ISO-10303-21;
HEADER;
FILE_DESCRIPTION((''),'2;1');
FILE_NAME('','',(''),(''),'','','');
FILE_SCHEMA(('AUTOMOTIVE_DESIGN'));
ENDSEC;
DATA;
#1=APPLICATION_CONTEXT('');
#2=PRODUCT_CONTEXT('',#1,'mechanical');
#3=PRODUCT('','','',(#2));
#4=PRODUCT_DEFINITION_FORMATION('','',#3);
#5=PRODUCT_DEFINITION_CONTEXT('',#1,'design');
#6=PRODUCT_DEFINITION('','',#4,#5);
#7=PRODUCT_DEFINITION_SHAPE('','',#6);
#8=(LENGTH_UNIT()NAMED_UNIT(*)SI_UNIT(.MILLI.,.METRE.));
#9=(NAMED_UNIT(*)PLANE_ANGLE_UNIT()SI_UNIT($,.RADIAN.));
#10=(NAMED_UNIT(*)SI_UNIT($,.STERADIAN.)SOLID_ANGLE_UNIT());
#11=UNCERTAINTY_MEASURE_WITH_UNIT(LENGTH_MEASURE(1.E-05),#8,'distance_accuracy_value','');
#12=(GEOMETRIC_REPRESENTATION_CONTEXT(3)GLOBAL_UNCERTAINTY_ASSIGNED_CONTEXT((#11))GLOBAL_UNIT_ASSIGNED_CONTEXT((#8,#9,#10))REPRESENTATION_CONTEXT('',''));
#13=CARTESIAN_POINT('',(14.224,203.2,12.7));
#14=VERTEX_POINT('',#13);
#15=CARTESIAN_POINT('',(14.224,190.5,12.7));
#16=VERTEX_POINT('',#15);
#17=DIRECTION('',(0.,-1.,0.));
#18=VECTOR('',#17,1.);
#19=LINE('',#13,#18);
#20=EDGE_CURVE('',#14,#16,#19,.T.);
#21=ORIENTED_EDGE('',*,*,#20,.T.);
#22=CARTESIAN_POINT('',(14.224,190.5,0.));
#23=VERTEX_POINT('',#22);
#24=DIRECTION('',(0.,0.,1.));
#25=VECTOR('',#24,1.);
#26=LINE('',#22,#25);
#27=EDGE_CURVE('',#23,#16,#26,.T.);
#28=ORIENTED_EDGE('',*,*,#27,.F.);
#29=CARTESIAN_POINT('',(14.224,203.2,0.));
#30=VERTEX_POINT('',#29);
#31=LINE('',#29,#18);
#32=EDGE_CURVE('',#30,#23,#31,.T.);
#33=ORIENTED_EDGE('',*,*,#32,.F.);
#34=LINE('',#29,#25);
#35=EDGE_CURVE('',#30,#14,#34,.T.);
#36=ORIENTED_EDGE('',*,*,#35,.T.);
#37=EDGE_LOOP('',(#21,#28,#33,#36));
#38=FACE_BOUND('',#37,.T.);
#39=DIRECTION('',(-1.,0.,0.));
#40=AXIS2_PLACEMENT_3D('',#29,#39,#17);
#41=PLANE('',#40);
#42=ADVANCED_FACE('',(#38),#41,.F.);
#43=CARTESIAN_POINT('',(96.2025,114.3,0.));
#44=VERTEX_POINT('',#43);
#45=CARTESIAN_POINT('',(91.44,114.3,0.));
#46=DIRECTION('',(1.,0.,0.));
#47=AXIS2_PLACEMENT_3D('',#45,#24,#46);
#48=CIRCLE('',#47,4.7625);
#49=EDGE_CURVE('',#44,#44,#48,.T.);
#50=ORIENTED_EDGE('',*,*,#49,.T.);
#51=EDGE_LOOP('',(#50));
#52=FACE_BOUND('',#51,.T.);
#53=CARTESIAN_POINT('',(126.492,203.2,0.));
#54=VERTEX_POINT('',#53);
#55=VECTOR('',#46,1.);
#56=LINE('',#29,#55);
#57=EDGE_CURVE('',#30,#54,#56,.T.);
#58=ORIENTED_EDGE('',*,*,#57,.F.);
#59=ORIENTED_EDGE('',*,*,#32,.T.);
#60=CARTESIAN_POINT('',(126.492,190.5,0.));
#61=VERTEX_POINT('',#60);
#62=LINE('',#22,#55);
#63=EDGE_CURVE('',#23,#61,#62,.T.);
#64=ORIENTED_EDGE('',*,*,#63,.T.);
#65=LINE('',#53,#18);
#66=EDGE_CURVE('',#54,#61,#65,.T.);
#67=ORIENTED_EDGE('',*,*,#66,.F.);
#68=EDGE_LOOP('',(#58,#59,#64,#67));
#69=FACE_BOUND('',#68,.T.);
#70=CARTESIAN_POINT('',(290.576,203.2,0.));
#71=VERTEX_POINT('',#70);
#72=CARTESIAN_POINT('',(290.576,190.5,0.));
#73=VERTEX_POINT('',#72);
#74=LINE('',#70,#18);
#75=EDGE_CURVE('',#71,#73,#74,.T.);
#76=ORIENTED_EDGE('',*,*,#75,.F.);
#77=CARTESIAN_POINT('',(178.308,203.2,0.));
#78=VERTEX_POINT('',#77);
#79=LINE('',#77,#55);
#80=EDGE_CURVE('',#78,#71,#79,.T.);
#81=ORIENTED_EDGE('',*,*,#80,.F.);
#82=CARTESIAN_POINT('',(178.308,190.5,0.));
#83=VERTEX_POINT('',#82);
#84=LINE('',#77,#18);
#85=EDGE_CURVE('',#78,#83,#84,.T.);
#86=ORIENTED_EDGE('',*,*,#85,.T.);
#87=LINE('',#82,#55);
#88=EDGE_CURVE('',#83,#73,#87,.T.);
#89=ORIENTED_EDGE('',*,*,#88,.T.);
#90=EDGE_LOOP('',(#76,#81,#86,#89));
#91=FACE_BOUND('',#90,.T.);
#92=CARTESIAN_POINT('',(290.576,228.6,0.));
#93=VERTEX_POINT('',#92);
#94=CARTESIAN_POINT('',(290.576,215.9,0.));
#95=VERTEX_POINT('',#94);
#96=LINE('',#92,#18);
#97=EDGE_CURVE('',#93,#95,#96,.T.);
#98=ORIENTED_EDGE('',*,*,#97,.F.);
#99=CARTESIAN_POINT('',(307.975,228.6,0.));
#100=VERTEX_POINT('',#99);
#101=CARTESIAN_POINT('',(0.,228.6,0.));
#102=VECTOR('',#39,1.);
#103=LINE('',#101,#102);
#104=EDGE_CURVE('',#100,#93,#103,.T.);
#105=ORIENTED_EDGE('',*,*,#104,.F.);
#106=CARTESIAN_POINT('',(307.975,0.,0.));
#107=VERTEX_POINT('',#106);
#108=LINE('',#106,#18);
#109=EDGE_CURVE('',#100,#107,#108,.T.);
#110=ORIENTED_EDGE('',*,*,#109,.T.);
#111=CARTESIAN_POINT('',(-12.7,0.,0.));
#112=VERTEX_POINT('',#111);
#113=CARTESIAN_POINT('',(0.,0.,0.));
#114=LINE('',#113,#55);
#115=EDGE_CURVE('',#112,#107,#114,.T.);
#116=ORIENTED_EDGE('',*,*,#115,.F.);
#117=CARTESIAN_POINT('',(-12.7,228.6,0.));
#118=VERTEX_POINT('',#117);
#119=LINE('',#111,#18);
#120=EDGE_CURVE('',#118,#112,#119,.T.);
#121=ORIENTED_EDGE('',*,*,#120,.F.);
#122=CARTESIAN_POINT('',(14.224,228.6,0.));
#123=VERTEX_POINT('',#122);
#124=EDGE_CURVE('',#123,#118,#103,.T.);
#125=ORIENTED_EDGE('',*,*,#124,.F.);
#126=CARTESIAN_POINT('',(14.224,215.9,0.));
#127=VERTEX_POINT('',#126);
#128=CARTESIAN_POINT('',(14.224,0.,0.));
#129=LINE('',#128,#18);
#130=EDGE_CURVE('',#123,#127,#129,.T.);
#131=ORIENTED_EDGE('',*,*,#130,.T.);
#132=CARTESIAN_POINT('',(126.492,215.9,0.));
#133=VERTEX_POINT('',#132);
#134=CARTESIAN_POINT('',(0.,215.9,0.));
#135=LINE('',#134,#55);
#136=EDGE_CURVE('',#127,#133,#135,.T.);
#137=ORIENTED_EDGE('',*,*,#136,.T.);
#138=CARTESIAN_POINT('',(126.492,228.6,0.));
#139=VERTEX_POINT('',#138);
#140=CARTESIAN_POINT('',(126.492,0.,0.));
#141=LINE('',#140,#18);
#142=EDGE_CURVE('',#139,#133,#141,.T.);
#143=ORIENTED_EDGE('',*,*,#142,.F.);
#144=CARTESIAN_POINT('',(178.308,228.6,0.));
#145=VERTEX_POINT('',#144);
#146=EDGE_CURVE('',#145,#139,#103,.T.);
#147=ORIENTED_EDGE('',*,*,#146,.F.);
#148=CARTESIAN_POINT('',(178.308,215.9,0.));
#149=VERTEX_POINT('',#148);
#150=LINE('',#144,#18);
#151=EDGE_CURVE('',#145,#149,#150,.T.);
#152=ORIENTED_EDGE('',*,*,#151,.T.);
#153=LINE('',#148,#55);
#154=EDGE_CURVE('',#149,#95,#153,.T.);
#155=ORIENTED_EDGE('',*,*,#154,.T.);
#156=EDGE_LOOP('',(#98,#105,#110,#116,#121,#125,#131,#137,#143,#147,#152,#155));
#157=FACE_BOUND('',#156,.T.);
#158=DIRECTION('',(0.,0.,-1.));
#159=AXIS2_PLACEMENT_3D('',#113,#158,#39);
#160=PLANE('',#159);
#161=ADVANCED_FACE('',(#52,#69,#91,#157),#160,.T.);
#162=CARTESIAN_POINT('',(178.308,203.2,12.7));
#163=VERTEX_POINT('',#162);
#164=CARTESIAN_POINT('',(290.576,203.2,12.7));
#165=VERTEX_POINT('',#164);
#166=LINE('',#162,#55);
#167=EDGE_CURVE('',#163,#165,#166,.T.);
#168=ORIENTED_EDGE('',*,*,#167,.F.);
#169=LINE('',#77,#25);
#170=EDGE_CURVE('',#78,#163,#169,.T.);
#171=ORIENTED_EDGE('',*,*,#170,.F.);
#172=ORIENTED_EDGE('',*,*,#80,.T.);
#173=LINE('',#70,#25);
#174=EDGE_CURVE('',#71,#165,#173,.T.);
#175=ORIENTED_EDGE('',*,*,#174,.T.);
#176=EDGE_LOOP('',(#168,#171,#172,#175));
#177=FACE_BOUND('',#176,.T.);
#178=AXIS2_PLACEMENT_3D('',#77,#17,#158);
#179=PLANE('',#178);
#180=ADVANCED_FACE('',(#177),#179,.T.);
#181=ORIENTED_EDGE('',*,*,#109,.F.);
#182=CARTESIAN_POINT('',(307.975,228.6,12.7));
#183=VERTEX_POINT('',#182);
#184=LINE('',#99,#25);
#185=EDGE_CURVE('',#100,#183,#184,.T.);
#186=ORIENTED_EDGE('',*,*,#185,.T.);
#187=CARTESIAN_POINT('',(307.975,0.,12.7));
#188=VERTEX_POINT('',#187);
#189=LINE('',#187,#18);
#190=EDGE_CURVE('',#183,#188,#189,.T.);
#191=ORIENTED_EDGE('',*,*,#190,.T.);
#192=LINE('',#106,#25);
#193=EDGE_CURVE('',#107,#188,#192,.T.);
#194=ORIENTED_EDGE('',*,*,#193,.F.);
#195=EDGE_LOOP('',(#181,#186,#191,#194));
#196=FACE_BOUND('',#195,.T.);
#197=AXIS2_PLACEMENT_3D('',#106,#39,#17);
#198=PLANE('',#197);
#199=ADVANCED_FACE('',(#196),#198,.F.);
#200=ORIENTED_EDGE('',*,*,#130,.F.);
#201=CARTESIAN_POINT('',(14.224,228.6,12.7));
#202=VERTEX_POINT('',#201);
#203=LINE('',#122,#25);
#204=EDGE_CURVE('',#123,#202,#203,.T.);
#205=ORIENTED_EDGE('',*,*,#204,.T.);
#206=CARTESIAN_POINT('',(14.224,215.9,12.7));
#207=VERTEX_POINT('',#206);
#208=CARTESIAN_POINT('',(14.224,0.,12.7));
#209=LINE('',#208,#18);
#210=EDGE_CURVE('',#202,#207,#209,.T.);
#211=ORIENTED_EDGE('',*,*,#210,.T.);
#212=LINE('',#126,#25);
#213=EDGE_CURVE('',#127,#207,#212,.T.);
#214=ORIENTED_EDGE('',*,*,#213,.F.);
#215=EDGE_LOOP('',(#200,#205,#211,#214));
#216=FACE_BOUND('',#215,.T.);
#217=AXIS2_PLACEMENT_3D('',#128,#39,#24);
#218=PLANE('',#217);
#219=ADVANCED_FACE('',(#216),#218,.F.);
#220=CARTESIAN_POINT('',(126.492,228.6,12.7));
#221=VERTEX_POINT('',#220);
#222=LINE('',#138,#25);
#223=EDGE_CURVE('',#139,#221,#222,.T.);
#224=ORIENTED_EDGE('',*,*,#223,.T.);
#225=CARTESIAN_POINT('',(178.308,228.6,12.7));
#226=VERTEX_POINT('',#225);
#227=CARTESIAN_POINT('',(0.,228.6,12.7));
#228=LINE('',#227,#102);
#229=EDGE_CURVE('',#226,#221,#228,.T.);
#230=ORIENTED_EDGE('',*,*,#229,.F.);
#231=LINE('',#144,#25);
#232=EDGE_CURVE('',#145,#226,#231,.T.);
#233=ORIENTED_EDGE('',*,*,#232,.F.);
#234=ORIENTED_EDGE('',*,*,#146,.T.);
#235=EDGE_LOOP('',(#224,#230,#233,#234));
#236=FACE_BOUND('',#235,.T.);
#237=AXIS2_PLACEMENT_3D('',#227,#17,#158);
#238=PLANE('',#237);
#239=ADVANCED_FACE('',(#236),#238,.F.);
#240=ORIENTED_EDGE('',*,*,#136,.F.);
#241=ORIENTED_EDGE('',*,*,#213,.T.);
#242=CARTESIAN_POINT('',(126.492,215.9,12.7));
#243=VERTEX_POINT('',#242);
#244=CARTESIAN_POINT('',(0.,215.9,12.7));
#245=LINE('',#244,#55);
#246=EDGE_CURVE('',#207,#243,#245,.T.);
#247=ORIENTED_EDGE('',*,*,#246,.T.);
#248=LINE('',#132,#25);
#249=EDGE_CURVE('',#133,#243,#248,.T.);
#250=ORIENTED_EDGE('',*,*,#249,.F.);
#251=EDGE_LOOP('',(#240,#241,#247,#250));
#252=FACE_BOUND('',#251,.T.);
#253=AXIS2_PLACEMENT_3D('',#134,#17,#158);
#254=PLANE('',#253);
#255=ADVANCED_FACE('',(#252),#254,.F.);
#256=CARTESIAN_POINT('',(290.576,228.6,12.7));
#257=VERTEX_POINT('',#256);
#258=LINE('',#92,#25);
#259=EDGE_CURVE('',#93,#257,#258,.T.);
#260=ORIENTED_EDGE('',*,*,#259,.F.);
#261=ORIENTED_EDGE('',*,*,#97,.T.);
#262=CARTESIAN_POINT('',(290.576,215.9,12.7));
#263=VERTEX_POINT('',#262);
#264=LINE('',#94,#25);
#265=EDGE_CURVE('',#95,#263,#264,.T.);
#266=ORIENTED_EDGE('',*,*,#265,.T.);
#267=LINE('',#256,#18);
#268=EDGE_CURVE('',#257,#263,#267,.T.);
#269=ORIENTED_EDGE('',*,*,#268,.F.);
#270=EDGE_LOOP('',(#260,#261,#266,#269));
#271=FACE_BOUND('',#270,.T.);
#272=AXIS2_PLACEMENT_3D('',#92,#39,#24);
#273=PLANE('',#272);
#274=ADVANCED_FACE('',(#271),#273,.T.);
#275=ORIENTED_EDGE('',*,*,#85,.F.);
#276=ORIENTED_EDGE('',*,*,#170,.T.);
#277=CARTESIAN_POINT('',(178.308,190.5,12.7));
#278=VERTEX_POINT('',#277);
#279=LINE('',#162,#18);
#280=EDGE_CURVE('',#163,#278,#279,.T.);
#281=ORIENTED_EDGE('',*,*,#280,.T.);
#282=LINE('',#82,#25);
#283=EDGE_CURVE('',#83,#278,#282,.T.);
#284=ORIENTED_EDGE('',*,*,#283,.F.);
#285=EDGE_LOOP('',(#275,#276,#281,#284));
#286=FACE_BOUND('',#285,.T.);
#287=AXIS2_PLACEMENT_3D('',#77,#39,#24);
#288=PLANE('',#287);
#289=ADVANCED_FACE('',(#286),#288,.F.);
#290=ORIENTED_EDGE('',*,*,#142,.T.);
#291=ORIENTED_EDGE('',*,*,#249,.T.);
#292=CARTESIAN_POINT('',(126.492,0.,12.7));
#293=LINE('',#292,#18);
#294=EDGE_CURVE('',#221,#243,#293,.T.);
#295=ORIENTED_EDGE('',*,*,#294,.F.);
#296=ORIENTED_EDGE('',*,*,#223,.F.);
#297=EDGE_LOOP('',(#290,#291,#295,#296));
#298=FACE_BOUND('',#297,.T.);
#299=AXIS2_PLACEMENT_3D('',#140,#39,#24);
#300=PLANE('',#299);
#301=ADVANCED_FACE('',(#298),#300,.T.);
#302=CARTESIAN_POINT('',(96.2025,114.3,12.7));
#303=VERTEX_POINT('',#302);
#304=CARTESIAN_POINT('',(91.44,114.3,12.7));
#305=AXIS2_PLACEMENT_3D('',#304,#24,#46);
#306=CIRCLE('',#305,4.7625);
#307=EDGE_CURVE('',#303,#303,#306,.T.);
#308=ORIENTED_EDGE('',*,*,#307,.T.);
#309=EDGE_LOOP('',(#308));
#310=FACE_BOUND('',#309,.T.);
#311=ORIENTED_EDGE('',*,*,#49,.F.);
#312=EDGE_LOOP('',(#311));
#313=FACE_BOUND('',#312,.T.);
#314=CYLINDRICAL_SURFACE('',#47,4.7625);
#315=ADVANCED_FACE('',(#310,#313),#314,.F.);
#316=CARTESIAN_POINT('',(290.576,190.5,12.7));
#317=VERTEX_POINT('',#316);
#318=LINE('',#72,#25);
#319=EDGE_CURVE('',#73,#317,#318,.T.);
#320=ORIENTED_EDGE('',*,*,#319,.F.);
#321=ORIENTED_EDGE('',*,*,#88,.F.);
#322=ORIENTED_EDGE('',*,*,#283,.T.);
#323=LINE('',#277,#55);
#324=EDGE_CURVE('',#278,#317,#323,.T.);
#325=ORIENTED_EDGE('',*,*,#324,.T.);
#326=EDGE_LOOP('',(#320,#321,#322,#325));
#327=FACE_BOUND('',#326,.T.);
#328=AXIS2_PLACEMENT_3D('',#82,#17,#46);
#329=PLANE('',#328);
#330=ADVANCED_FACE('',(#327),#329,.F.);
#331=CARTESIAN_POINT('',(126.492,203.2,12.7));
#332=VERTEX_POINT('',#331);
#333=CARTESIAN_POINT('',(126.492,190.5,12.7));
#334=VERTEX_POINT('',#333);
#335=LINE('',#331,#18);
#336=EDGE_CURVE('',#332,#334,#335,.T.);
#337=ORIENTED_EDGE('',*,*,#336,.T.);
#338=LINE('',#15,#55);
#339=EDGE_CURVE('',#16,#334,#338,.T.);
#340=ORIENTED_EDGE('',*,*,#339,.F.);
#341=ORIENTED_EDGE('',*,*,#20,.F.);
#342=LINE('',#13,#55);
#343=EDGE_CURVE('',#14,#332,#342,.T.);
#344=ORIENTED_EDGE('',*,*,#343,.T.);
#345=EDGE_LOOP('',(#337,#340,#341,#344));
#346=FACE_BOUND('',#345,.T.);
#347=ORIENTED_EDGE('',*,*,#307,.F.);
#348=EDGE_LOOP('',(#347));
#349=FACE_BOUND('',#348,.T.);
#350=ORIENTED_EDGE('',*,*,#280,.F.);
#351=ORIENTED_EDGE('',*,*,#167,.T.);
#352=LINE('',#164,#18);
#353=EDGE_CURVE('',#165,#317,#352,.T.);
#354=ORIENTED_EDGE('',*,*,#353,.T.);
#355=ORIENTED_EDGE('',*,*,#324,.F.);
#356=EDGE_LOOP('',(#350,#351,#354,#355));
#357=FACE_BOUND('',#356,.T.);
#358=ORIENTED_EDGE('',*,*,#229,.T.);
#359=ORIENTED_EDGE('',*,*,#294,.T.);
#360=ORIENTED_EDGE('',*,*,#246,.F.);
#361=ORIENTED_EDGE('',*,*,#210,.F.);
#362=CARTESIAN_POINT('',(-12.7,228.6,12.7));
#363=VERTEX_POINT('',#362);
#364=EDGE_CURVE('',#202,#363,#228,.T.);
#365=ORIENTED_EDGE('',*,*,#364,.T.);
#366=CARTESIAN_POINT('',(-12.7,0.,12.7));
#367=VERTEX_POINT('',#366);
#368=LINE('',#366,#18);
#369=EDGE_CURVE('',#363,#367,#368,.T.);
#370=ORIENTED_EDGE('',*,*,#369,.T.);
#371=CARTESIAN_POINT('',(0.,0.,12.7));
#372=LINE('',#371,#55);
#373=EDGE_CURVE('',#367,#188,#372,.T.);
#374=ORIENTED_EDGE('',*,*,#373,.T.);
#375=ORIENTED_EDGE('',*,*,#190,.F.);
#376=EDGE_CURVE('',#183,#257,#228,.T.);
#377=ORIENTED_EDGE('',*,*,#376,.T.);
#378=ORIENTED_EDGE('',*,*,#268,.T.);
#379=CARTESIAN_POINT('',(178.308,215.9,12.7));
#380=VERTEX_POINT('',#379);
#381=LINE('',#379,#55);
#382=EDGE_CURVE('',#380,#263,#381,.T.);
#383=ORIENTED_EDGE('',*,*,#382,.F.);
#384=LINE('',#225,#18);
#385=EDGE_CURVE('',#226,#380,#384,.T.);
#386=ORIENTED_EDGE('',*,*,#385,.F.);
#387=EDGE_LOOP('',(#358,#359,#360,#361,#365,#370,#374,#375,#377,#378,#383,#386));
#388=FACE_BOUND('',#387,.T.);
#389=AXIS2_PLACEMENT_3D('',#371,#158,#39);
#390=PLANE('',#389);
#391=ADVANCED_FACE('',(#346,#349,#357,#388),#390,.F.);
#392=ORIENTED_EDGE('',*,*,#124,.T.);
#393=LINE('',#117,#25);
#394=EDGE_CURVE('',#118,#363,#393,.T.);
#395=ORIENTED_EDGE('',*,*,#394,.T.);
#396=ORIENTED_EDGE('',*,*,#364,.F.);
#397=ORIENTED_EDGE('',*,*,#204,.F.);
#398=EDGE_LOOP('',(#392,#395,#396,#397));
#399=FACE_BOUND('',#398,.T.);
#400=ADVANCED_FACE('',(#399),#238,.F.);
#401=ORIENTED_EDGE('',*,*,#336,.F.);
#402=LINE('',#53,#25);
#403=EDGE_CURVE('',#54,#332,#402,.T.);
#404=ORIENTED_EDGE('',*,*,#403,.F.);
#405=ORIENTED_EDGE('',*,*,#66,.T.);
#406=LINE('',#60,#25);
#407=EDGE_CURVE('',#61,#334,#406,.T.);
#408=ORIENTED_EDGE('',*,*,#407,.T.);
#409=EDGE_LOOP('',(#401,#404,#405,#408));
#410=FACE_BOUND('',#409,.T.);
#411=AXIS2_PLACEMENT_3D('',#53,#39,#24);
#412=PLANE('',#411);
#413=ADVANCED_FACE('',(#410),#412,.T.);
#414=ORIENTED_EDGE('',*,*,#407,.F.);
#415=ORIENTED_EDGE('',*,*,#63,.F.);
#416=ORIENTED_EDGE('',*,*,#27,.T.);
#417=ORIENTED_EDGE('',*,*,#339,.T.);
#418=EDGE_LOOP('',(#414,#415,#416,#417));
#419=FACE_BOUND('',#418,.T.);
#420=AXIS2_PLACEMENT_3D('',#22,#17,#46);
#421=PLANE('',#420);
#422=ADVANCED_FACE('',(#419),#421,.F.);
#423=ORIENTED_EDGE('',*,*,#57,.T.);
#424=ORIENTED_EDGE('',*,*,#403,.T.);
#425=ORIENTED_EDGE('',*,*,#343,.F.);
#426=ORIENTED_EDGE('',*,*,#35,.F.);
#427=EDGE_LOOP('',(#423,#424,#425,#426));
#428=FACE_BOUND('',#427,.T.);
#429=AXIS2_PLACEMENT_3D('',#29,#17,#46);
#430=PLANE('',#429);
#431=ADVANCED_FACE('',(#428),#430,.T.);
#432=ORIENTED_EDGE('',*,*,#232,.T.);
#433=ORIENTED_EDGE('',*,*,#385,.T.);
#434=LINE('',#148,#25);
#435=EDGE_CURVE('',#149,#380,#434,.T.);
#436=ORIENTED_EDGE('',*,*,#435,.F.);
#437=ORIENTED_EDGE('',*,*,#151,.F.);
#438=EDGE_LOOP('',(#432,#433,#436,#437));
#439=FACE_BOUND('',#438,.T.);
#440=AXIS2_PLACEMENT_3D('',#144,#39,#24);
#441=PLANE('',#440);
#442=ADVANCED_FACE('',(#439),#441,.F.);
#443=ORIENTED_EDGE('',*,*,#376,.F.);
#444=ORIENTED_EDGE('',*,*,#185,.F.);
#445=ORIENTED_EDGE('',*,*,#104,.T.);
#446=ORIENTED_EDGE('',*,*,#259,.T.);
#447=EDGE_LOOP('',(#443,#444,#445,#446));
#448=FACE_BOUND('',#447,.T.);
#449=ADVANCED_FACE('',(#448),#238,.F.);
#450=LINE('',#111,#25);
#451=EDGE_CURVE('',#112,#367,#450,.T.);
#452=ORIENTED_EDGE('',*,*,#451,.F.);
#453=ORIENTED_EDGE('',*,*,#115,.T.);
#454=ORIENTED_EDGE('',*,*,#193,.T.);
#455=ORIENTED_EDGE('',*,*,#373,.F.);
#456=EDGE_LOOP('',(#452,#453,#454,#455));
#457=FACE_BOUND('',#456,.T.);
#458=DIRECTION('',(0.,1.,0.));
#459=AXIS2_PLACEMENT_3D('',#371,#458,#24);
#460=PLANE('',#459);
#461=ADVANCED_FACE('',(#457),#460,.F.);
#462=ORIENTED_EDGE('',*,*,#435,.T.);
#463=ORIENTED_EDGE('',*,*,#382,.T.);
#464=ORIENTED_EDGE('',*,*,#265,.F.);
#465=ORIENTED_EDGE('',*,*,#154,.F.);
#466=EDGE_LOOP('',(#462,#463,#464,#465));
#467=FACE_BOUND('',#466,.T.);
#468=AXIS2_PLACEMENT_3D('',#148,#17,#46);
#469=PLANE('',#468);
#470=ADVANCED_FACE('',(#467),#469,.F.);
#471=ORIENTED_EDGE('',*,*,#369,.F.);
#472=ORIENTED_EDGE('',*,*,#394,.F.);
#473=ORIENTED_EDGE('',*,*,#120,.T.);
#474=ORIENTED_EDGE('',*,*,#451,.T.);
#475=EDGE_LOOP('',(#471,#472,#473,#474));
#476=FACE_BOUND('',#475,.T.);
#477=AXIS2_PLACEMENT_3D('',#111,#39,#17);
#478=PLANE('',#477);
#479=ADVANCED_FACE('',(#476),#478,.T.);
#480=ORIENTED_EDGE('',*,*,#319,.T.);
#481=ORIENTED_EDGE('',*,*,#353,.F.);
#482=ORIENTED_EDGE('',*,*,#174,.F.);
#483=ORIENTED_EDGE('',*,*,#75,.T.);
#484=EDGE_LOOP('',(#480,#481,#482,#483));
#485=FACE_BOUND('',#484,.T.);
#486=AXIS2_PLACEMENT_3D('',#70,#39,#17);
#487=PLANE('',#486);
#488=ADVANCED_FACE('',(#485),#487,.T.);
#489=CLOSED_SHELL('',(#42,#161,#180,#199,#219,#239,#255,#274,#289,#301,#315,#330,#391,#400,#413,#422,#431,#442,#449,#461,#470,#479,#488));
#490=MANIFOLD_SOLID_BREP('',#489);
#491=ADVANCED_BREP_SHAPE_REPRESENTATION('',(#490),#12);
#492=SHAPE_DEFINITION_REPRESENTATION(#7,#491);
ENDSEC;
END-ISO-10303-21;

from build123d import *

# Parameters (mm, degrees)
SKETCH1_W           = 304.8
SKETCH1_H           = 228.6
BOSS_EXTRUDE1_DEPTH = 12.7
SKETCH2_R           = 4.7625
CUT_EXTRUDE1_DEPTH  = 12.7
SKETCH7_W           = 112.268
SKETCH7_H           = 12.7
CUT_EXTRUDE2_DEPTH  = 12.7
SKETCH8_W           = 12.7
SKETCH8_H           = 228.6
SKETCH8_W_2         = 3.175
BOSS_EXTRUDE2_DEPTH = 12.7


with BuildPart() as part:
    # Sketch1 → Boss-Extrude1 (new body)
    with BuildSketch(Plane.XY):
        with Locations((152.4, 114.3)):
            Rectangle(SKETCH1_W, SKETCH1_H)
    extrude(amount=BOSS_EXTRUDE1_DEPTH)

    # Sketch2 → Cut-Extrude1 (cut)
    with BuildSketch(Plane.XY.offset(12.7)):
        with Locations((91.44, 114.3)):
            Circle(SKETCH2_R)
    extrude(amount=-CUT_EXTRUDE1_DEPTH, mode=Mode.SUBTRACT)

    # Sketch7 → Cut-Extrude2 (cut)
    with BuildSketch(Plane.XY.offset(12.7)):
        with Locations((70.358, 222.25)):
            Rectangle(SKETCH7_W, SKETCH7_H)
        with Locations((234.442, 222.25)):
            Rectangle(SKETCH7_W, SKETCH7_H)
        with Locations((70.358, 196.85)):
            Rectangle(SKETCH7_W, SKETCH7_H)
        with Locations((234.442, 196.85)):
            Rectangle(SKETCH7_W, SKETCH7_H)
    extrude(amount=-CUT_EXTRUDE2_DEPTH, mode=Mode.SUBTRACT)

    # Sketch8 → Boss-Extrude2 (add)
    with BuildSketch(Plane.XY.offset(12.7)):
        with Locations((-6.35, 114.3)):
            Rectangle(SKETCH8_W, SKETCH8_H)
        with Locations((306.3875, 114.3)):
            Rectangle(SKETCH8_W_2, SKETCH8_H)
    extrude(amount=-BOSS_EXTRUDE2_DEPTH)


solid = part.part
